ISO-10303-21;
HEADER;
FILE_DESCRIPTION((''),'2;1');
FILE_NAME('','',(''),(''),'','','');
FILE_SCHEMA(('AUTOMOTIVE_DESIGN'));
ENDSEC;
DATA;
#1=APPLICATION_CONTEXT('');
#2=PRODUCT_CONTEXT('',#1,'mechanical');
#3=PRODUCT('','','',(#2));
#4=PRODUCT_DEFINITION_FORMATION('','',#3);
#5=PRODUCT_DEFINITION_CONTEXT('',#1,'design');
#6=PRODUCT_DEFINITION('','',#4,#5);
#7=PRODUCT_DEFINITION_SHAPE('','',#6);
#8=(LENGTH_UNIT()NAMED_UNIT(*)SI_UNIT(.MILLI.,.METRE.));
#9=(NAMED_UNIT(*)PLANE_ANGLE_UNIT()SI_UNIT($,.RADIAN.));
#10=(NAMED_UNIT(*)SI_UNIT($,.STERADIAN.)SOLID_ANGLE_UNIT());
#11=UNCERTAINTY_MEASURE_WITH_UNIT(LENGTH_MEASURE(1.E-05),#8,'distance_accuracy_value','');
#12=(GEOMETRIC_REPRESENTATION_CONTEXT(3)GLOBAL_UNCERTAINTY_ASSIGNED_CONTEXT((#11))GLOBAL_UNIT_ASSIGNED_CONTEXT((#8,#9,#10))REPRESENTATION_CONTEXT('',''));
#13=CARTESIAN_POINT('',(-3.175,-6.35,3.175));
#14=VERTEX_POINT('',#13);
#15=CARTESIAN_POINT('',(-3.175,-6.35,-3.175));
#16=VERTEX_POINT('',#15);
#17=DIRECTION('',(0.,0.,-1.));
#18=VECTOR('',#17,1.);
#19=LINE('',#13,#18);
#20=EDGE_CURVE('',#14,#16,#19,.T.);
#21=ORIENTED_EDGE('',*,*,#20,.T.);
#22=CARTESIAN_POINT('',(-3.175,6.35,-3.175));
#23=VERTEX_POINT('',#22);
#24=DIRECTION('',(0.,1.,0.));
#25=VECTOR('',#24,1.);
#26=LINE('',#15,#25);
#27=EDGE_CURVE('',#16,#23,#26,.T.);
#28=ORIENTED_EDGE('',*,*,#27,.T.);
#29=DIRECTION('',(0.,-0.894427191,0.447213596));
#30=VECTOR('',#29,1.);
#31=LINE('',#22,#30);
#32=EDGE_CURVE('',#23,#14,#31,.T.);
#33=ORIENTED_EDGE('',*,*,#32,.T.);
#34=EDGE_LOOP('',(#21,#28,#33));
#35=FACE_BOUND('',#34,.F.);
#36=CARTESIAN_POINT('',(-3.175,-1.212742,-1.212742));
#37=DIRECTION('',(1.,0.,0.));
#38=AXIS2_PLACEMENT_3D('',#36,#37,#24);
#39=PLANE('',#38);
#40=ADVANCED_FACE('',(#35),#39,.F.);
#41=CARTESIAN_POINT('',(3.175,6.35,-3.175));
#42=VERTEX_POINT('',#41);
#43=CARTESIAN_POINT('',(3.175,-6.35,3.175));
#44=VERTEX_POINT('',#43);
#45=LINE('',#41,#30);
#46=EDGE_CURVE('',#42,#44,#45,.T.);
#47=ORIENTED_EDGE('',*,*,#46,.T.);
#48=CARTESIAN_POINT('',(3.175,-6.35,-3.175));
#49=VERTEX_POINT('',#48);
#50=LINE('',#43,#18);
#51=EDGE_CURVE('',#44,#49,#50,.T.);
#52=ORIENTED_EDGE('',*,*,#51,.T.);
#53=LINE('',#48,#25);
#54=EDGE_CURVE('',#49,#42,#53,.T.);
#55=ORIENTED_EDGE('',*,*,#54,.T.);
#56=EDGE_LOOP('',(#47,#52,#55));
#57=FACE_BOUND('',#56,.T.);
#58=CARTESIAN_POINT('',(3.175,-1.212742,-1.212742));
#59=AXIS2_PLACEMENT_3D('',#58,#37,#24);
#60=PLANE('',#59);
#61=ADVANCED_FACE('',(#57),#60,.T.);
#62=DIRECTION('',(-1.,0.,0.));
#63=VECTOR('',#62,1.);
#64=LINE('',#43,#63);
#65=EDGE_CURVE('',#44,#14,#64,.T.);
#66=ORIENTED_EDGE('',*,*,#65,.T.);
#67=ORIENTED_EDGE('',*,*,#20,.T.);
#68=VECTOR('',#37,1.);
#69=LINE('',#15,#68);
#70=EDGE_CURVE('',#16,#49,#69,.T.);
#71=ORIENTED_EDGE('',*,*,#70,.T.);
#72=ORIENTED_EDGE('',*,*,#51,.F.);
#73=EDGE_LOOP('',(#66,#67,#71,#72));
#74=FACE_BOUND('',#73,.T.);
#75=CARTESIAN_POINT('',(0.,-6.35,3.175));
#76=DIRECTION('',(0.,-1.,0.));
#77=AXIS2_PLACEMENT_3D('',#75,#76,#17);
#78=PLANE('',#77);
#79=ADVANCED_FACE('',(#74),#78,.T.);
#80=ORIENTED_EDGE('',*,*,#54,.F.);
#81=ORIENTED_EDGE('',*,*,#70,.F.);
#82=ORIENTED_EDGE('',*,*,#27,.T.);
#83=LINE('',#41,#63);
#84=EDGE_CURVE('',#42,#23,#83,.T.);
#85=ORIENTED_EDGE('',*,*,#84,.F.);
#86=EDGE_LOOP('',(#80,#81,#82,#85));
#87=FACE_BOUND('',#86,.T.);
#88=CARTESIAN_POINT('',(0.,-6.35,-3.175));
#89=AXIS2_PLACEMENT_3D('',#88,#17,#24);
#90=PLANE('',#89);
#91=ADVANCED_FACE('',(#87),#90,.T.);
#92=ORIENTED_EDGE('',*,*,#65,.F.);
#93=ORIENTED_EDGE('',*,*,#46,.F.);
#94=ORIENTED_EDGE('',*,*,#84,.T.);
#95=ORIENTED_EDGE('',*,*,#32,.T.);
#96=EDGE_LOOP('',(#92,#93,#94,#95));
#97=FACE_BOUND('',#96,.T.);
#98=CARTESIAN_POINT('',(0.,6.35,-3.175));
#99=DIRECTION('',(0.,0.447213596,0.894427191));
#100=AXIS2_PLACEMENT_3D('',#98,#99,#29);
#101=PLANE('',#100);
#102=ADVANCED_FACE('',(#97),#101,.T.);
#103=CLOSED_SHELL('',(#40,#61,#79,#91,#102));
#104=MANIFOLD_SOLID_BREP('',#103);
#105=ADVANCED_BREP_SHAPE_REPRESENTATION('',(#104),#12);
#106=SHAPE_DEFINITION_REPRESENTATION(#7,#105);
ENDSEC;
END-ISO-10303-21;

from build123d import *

# Parameters (mm, degrees)
F1_DEPTH = 3.175


with BuildPart() as f1:
    # F0 (on Right) → F1 (new body, symmetric)
    with BuildSketch(Plane.YZ):
        Polygon((-6.35, 3.175), (-6.35, -3.175), (6.35, -3.175), align=None)
    extrude(amount=F1_DEPTH, both=True)


solid = f1.part
